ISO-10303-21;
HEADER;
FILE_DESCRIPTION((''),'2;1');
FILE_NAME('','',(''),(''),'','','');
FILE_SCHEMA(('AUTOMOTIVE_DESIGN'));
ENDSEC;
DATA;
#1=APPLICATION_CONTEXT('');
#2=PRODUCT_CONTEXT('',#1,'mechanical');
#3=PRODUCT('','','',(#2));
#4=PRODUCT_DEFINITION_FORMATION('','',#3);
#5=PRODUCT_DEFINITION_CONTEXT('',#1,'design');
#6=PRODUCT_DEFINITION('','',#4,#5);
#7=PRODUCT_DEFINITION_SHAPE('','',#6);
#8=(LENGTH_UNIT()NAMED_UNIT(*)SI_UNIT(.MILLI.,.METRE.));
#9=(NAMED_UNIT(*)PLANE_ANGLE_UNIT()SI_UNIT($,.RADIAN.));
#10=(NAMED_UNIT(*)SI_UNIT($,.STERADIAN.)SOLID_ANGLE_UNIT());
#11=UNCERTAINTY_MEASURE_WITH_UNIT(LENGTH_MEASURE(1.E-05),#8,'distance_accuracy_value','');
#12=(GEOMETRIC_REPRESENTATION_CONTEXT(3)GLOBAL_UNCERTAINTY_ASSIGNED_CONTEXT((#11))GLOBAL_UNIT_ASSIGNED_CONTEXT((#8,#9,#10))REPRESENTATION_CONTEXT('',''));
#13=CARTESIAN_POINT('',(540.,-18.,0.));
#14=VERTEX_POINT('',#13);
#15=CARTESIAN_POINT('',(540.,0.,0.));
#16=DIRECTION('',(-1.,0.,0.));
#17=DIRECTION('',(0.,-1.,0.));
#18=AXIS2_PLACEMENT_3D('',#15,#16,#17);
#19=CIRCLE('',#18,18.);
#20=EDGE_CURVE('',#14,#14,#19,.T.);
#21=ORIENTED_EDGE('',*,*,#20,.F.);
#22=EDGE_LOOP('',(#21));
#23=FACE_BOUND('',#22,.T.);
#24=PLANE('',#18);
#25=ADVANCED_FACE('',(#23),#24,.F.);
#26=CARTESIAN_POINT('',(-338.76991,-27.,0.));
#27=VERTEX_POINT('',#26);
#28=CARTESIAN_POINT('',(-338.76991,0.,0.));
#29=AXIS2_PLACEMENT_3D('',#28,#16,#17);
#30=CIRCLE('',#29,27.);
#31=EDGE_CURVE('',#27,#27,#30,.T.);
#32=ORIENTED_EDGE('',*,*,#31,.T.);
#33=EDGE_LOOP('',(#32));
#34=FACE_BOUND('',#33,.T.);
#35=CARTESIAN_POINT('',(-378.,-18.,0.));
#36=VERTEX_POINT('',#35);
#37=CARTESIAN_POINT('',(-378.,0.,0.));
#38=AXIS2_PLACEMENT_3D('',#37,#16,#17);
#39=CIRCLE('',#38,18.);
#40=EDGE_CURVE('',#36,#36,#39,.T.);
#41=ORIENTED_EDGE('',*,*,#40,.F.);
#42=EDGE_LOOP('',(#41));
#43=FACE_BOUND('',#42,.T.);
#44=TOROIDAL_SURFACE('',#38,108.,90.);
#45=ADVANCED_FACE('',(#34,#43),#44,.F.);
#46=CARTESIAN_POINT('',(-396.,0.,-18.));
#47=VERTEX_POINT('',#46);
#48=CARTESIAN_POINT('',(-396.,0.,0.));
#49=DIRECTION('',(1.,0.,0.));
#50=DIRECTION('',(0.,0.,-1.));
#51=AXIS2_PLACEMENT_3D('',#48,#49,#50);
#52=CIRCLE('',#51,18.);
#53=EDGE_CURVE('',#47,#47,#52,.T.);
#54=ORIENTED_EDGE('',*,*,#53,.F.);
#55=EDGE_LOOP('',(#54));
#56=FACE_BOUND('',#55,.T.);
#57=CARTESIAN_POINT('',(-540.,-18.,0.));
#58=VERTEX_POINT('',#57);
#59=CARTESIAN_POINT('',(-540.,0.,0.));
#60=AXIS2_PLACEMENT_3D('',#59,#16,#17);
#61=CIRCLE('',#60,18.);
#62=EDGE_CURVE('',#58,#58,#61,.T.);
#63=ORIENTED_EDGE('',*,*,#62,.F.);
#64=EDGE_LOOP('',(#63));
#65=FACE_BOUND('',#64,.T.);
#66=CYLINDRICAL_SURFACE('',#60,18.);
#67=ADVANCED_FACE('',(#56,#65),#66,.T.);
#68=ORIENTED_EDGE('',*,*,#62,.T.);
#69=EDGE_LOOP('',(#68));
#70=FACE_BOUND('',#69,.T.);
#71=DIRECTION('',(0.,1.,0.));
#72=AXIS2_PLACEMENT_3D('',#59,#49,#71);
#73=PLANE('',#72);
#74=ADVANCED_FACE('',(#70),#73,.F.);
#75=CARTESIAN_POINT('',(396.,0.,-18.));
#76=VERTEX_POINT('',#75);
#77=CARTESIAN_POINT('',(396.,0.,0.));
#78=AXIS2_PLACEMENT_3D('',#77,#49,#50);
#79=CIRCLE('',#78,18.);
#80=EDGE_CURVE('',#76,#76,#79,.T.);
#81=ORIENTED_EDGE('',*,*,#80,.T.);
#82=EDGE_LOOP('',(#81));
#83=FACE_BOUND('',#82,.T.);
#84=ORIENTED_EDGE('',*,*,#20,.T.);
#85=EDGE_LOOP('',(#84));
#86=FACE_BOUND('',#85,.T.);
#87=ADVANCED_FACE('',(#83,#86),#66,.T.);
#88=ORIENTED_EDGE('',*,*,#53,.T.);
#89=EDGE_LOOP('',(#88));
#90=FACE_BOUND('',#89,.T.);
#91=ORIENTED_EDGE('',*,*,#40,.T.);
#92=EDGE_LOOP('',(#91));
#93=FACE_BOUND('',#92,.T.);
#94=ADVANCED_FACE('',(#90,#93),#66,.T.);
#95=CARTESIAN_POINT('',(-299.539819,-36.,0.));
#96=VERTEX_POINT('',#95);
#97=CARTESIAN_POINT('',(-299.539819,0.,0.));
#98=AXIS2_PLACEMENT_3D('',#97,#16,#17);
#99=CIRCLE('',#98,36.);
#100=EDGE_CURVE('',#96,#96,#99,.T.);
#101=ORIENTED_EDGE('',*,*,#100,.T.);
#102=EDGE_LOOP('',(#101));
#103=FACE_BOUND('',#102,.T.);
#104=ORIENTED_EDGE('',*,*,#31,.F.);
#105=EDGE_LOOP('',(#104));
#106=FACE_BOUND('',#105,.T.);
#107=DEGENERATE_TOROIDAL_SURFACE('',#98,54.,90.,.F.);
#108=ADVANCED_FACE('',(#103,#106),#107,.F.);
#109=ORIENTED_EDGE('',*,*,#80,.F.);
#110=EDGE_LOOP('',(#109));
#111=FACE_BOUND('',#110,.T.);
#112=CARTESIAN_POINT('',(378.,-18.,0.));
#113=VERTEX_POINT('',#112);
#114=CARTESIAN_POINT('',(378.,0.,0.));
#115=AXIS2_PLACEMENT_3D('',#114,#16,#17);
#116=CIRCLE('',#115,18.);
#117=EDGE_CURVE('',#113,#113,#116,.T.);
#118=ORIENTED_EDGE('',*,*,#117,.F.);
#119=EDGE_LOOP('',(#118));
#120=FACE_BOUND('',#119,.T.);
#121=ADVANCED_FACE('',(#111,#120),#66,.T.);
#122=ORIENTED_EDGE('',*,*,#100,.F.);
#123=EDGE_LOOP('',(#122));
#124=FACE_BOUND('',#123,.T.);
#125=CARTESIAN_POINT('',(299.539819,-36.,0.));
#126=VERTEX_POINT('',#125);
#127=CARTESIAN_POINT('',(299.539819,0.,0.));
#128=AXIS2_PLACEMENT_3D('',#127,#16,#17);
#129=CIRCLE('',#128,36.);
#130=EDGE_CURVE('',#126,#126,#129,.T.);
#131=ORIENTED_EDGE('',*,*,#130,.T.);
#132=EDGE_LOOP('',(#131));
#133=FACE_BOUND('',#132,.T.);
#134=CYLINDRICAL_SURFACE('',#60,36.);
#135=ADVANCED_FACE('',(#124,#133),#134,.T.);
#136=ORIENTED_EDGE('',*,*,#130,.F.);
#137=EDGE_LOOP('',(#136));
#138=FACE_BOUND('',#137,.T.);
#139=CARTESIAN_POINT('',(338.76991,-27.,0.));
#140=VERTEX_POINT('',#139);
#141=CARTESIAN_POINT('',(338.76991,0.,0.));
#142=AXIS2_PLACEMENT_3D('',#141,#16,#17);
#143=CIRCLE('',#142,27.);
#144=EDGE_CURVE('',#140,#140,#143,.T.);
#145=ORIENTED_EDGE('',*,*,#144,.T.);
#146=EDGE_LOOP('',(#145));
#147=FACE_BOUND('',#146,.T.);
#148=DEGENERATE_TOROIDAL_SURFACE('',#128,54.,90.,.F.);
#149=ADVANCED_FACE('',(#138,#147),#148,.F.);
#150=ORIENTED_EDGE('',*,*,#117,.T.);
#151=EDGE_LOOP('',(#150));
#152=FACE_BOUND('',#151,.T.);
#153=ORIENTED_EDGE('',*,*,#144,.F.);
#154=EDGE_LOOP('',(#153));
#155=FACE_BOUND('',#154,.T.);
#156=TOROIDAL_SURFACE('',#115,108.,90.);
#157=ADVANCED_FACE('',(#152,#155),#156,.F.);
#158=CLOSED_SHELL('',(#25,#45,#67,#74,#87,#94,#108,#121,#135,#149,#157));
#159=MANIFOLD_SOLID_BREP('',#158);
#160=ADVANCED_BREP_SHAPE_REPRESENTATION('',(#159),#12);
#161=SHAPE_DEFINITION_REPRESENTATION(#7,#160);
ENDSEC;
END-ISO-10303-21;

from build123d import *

# Parameters (mm, degrees)
SCALE1_SCALE = 18


with BuildPart() as part:
    # Sketch1 → Revolve1 (revolve)
    with BuildSketch(Plane.XY, mode=Mode.PRIVATE) as revolve1_sk:
        with BuildLine():
            Line((-30, 0), (30, 0))
            Line((30, 0), (30, 1))
            Line((30, 1), (21, 1))
            ThreePointArc((21, 1), (19.881966011, 1.126602828), (18.820550528, 1.5))
            ThreePointArc((18.820550528, 1.5), (17.759135045, 1.873397172), (16.641101056, 2))
            Line((16.641101056, 2), (-16.641101056, 2))
            ThreePointArc((-16.641101056, 2), (-17.759135045, 1.873397172), (-18.820550528, 1.5))
            ThreePointArc((-18.820550528, 1.5), (-19.881966011, 1.126602828), (-21, 1))
            Line((-21, 1), (-30, 1))
            Line((-30, 1), (-30, 0))
        make_face()
    revolve(revolve1_sk.sketch.rotate(Axis((-30, 0, 0), (1, 0, 0)), 180), axis=Axis((-30, 0, 0), (1, 0, 0)))


with BuildPart() as part_1:
    # Scale1: scaled about (0, 0, 0)
    add(part.part.scale(SCALE1_SCALE))


solid = part_1.part
